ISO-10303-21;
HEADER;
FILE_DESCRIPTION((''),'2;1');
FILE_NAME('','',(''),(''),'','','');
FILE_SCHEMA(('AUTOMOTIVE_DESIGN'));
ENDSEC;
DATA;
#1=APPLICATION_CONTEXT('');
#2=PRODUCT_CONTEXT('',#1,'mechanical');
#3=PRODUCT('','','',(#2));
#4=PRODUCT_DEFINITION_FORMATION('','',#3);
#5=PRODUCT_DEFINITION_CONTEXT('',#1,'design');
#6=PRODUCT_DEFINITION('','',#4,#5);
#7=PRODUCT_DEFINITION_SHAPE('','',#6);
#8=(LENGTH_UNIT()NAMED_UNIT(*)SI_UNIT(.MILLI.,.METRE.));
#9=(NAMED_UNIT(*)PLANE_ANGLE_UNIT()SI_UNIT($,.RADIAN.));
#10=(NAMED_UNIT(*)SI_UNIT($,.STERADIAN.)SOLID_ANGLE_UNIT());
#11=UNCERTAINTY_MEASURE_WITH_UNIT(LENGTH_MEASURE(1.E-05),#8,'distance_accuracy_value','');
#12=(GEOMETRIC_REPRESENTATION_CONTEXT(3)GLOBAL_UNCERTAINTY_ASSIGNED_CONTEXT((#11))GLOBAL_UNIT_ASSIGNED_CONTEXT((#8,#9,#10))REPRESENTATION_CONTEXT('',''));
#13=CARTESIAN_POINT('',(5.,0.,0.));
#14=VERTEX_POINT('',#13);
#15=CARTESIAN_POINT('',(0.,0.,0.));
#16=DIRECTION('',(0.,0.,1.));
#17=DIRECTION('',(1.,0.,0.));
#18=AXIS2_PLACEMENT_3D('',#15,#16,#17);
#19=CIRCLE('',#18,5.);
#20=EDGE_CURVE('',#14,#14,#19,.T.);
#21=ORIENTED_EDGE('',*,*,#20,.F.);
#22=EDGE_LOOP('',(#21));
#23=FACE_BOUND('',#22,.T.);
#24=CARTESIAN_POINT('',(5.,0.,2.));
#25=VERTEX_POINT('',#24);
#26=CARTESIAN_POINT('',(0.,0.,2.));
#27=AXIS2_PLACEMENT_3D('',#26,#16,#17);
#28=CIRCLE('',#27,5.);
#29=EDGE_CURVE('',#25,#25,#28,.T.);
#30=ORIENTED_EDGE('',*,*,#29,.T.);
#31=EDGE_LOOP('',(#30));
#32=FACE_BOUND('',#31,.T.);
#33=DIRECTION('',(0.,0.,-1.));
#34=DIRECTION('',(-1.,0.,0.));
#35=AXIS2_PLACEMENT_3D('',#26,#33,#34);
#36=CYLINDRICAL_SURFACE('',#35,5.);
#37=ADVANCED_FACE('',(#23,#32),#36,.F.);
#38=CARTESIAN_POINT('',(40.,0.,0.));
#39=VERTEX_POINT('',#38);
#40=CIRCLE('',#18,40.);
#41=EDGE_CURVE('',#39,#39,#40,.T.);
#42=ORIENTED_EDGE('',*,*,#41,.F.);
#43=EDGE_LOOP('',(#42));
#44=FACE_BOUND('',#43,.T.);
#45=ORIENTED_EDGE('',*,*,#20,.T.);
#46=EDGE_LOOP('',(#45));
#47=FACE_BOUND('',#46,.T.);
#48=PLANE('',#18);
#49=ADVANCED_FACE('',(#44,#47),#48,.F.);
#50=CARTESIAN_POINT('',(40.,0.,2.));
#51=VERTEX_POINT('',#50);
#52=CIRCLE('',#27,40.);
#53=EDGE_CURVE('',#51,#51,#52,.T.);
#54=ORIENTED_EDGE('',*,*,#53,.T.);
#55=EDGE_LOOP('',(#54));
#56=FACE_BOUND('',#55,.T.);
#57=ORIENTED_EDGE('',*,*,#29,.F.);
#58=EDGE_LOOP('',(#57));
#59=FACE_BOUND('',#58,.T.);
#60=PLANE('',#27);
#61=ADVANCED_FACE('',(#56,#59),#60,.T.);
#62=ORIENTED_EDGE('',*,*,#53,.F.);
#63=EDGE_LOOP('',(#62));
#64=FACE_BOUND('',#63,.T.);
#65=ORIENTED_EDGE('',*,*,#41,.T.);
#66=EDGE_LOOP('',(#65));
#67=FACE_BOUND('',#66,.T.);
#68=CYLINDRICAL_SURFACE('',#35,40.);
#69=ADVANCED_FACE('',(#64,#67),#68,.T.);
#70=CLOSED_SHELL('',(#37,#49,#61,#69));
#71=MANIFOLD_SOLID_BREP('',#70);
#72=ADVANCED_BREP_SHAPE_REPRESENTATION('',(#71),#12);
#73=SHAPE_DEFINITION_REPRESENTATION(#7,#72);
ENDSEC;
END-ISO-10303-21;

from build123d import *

# Parameters (mm, degrees)
SKETCH_1_R      = 40
SKETCH_1_R_2    = 5
EXTRUDE_1_DEPTH = 2


with BuildPart() as part:
    # 草图1 → 凸台-拉伸1 (new body)
    with BuildSketch(Plane.XY):
        Circle(SKETCH_1_R)
        Circle(SKETCH_1_R_2, mode=Mode.SUBTRACT)
    extrude(amount=EXTRUDE_1_DEPTH)


solid = part.part
